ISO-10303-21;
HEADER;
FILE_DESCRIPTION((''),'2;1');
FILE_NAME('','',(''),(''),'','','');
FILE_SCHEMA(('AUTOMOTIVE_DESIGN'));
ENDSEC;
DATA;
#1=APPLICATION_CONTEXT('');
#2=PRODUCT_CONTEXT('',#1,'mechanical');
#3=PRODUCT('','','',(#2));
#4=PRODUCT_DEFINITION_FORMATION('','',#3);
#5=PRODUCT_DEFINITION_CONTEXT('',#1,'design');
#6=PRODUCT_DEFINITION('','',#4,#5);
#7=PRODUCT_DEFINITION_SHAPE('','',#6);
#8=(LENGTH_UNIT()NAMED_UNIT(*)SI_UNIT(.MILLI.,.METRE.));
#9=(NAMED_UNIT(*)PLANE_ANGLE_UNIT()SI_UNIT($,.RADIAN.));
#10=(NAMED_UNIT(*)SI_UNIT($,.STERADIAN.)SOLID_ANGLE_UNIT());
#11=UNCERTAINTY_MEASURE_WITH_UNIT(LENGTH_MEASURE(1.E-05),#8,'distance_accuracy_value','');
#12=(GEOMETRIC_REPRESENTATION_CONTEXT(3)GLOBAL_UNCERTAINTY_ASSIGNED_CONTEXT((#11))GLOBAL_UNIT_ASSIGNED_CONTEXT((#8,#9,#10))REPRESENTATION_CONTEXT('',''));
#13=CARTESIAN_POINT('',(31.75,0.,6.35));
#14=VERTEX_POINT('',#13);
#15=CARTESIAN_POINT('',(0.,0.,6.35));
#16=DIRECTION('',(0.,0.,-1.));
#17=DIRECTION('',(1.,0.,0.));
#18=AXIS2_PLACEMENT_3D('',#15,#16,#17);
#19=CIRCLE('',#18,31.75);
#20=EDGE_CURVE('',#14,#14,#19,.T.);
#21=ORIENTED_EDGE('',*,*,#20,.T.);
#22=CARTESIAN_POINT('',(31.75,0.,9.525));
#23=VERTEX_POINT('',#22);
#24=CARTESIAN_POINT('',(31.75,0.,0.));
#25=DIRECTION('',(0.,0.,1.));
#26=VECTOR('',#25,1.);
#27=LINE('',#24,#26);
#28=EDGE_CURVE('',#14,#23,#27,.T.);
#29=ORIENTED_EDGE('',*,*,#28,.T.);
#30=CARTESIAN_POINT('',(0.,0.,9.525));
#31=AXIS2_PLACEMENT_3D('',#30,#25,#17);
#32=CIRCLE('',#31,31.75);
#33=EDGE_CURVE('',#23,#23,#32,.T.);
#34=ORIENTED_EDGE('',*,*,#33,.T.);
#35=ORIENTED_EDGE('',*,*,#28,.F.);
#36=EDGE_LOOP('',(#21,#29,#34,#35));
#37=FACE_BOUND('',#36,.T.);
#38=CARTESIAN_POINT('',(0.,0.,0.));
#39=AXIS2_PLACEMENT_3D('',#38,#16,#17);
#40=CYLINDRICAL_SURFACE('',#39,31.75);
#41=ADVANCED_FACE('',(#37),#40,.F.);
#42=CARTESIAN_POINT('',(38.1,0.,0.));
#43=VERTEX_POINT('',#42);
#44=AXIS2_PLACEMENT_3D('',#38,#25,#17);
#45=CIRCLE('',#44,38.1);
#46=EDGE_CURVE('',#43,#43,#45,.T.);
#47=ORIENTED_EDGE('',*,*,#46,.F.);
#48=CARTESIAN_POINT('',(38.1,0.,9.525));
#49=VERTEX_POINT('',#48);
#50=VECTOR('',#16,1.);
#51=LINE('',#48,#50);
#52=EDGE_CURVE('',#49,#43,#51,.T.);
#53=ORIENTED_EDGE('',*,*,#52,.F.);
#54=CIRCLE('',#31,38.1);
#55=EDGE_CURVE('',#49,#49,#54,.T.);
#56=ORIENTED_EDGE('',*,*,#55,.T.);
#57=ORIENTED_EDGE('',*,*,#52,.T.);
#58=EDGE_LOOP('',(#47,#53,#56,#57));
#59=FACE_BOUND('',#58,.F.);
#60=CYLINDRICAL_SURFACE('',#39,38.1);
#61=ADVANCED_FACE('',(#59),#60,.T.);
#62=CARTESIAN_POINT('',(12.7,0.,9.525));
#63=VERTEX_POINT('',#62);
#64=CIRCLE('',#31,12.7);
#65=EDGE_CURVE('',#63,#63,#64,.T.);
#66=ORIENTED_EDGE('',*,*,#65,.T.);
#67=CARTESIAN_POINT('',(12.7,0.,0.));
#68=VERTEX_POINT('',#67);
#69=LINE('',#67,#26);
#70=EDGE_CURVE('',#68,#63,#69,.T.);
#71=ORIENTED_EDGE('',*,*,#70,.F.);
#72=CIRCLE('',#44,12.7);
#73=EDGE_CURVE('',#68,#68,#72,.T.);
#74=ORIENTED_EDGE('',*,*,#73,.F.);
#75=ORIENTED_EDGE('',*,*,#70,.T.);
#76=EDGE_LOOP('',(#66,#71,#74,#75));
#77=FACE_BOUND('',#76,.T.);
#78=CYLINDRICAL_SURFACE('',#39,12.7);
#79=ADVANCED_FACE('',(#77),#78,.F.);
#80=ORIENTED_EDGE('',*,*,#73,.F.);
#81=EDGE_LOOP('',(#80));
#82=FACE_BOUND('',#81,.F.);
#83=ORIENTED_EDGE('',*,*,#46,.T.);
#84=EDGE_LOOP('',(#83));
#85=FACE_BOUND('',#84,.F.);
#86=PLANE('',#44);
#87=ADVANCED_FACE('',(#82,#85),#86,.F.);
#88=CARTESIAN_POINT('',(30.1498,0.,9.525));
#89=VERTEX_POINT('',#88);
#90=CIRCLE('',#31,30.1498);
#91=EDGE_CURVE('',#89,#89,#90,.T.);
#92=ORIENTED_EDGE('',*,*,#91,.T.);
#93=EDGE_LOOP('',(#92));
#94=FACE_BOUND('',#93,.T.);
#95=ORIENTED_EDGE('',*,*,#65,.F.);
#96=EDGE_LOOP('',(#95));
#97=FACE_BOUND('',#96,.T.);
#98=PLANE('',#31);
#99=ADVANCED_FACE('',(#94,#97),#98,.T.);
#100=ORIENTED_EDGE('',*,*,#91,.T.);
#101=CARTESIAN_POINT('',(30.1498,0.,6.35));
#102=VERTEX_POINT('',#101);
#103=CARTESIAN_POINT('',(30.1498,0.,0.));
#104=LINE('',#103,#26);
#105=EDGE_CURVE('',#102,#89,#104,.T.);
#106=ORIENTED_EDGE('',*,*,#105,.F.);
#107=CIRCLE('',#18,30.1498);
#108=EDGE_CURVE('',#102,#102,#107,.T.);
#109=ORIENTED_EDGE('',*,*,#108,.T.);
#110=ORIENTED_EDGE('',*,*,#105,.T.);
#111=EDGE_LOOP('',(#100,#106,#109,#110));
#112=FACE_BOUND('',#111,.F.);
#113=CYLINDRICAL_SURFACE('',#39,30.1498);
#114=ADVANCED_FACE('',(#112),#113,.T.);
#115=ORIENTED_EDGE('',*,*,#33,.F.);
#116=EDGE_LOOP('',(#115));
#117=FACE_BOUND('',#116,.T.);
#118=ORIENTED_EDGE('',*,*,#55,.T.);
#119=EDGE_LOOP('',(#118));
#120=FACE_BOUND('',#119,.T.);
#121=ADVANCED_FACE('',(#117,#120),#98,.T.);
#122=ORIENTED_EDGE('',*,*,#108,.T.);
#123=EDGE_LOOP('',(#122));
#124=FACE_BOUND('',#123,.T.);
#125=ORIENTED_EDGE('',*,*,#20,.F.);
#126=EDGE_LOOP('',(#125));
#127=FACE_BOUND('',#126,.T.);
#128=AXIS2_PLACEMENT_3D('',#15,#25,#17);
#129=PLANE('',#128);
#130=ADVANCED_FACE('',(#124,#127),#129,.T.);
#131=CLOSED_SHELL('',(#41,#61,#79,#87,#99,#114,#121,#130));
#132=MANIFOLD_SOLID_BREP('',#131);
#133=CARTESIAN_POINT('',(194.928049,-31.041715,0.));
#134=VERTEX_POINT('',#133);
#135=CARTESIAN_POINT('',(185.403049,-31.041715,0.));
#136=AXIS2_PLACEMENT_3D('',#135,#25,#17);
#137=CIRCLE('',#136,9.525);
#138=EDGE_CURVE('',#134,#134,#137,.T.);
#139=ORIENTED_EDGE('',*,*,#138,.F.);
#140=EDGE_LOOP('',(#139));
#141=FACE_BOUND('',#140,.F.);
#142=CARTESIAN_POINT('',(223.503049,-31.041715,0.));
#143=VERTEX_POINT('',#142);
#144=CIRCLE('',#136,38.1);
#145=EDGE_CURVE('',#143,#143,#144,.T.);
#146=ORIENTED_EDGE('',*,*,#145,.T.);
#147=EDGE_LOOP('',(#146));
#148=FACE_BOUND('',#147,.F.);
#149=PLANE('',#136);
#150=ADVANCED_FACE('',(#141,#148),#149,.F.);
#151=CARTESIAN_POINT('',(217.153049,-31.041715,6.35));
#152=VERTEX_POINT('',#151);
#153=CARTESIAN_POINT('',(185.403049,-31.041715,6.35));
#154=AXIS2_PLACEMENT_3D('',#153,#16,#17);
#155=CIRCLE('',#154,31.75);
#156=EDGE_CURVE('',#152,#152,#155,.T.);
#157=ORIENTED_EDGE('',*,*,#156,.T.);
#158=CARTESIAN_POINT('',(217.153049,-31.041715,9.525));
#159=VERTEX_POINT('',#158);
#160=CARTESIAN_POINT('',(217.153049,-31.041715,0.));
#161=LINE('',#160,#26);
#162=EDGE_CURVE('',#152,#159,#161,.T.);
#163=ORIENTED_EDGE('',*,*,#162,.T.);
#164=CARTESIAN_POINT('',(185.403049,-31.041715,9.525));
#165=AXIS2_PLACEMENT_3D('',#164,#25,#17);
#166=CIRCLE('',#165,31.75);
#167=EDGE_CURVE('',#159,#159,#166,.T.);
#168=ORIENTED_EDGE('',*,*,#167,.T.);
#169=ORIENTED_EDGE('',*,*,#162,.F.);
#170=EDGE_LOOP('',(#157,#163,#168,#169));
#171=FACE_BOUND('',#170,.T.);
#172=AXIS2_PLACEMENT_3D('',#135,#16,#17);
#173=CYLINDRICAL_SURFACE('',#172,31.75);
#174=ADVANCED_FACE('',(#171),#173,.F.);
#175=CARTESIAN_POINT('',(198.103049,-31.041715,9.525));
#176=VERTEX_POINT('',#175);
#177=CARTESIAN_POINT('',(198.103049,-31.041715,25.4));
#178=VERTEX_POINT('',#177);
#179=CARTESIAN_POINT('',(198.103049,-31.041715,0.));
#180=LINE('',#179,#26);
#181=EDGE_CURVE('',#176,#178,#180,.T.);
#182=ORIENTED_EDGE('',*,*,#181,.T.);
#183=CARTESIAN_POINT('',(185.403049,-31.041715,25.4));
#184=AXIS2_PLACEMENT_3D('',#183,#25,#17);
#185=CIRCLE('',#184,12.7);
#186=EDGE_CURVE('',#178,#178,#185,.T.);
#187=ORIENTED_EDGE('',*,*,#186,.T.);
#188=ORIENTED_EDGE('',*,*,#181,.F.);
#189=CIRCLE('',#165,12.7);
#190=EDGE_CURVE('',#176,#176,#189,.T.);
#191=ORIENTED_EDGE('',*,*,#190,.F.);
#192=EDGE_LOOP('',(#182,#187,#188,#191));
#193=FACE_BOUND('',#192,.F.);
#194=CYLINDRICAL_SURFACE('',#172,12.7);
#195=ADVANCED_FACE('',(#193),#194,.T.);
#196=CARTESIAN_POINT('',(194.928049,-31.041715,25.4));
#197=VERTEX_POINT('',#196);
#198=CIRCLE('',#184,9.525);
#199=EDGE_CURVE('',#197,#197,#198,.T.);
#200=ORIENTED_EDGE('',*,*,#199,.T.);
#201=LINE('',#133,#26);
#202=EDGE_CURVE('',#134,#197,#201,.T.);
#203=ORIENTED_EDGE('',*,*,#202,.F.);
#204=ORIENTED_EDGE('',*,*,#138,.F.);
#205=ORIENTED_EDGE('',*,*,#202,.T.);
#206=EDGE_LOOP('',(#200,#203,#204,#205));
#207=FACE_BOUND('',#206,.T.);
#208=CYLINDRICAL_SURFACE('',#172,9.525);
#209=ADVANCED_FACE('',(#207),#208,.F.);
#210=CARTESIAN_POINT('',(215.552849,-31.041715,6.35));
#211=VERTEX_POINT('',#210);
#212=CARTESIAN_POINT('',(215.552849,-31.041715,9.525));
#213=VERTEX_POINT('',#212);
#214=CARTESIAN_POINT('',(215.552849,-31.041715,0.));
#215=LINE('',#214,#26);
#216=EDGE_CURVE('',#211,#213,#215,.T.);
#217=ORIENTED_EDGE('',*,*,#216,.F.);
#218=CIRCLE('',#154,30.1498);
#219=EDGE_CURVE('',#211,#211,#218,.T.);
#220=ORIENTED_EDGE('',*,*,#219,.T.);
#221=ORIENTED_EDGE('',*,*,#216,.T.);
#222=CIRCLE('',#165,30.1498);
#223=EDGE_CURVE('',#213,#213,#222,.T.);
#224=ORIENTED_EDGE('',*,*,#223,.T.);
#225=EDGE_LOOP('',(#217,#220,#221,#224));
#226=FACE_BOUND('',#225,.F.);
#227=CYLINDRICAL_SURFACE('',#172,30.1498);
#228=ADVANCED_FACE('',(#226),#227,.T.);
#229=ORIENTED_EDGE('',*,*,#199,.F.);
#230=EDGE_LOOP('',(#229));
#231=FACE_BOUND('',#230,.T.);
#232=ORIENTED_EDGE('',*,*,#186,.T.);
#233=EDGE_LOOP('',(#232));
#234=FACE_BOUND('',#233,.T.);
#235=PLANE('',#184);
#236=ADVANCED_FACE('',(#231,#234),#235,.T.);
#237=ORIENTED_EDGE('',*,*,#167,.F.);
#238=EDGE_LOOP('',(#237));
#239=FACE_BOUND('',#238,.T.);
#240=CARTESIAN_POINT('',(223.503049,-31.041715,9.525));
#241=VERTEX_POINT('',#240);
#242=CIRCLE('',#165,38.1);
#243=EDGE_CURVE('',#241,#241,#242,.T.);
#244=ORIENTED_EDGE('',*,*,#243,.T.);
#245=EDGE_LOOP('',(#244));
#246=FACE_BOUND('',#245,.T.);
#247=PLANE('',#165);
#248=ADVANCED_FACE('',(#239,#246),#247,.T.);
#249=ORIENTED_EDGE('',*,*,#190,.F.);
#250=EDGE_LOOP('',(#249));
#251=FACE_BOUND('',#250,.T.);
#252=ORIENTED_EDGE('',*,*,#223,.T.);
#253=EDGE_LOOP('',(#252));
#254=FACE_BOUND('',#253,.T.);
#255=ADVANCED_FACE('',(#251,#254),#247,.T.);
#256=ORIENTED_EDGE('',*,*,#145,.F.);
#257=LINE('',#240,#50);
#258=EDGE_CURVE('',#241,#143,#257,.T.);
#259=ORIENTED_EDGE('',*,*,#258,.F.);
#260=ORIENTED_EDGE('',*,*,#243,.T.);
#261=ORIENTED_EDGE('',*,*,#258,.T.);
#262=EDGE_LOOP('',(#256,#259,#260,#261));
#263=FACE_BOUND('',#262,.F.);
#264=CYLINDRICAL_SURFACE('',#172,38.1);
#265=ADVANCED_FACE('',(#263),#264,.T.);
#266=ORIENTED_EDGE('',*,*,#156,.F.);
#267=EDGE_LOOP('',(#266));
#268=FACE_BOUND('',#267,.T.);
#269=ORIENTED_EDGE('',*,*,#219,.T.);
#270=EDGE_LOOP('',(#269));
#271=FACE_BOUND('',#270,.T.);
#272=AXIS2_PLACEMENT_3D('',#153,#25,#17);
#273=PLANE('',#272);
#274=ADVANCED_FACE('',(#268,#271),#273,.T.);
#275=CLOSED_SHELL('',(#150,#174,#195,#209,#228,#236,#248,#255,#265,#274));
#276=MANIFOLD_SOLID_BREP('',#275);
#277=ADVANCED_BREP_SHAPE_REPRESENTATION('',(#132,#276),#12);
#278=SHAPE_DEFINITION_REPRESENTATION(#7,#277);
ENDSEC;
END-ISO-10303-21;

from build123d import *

# Parameters (mm, degrees)
F0_R     = 38.1
F0_R_2   = 31.75
F0_R_3   = 30.1498
F0_R_4   = 12.7
F1_DEPTH = 6.35
F2_DEPTH = 9.525
F3_R     = 38.1
F3_R_2   = 31.75
F3_R_3   = 30.1498
F3_R_4   = 12.7
F4_DEPTH = 6.35
F5_DEPTH = 9.525
F3_R_5   = 9.525
F6_DEPTH = 25.4


with BuildPart() as f1:
    # F0 (on Top) → F1 (new body)
    with BuildSketch(Plane.XY):
        Circle(F0_R)
        Circle(F0_R_2, mode=Mode.SUBTRACT)
        Circle(F0_R_2)
        Circle(F0_R_3, mode=Mode.SUBTRACT)
        Circle(F0_R_3)
        Circle(F0_R_4, mode=Mode.SUBTRACT)
    extrude(amount=F1_DEPTH)

    # F0 (on Top) → F2 (join)
    with BuildSketch(Plane.XY):
        Circle(F0_R)
        Circle(F0_R_2, mode=Mode.SUBTRACT)
        Circle(F0_R_3)
        Circle(F0_R_4, mode=Mode.SUBTRACT)
    extrude(amount=F2_DEPTH)


with BuildPart() as f4:
    # F3 (on Top) → F4 (new body)
    with BuildSketch(Plane.XY):
        with Locations((185.4030489922, -31.0417152941)):
            Circle(F3_R)
        with Locations((185.4030489922, -31.0417152941)):
            Circle(F3_R_2, mode=Mode.SUBTRACT)
        with Locations((185.4030489922, -31.0417152941)):
            Circle(F3_R_2)
        with Locations((185.4030489922, -31.0417152941)):
            Circle(F3_R_3, mode=Mode.SUBTRACT)
        with Locations((185.4030489922, -31.0417152941)):
            Circle(F3_R_3)
        with Locations((185.4030489922, -31.0417152941)):
            Circle(F3_R_4, mode=Mode.SUBTRACT)
    extrude(amount=F4_DEPTH)

    # F3 (on Top) → F5 (join)
    with BuildSketch(Plane.XY):
        with Locations((185.4030489922, -31.0417152941)):
            Circle(F3_R)
        with Locations((185.4030489922, -31.0417152941)):
            Circle(F3_R_2, mode=Mode.SUBTRACT)
        with Locations((185.4030489922, -31.0417152941)):
            Circle(F3_R_3)
        with Locations((185.4030489922, -31.0417152941)):
            Circle(F3_R_4, mode=Mode.SUBTRACT)
    extrude(amount=F5_DEPTH)

    # F3 (on Top) → F6 (join)
    with BuildSketch(Plane.XY):
        with Locations((185.4030489922, -31.0417152941)):
            Circle(F3_R_4)
        with Locations((185.4030489922, -31.0417152941)):
            Circle(F3_R_5, mode=Mode.SUBTRACT)
    extrude(amount=F6_DEPTH)


solid = Compound([f1.part, f4.part])
